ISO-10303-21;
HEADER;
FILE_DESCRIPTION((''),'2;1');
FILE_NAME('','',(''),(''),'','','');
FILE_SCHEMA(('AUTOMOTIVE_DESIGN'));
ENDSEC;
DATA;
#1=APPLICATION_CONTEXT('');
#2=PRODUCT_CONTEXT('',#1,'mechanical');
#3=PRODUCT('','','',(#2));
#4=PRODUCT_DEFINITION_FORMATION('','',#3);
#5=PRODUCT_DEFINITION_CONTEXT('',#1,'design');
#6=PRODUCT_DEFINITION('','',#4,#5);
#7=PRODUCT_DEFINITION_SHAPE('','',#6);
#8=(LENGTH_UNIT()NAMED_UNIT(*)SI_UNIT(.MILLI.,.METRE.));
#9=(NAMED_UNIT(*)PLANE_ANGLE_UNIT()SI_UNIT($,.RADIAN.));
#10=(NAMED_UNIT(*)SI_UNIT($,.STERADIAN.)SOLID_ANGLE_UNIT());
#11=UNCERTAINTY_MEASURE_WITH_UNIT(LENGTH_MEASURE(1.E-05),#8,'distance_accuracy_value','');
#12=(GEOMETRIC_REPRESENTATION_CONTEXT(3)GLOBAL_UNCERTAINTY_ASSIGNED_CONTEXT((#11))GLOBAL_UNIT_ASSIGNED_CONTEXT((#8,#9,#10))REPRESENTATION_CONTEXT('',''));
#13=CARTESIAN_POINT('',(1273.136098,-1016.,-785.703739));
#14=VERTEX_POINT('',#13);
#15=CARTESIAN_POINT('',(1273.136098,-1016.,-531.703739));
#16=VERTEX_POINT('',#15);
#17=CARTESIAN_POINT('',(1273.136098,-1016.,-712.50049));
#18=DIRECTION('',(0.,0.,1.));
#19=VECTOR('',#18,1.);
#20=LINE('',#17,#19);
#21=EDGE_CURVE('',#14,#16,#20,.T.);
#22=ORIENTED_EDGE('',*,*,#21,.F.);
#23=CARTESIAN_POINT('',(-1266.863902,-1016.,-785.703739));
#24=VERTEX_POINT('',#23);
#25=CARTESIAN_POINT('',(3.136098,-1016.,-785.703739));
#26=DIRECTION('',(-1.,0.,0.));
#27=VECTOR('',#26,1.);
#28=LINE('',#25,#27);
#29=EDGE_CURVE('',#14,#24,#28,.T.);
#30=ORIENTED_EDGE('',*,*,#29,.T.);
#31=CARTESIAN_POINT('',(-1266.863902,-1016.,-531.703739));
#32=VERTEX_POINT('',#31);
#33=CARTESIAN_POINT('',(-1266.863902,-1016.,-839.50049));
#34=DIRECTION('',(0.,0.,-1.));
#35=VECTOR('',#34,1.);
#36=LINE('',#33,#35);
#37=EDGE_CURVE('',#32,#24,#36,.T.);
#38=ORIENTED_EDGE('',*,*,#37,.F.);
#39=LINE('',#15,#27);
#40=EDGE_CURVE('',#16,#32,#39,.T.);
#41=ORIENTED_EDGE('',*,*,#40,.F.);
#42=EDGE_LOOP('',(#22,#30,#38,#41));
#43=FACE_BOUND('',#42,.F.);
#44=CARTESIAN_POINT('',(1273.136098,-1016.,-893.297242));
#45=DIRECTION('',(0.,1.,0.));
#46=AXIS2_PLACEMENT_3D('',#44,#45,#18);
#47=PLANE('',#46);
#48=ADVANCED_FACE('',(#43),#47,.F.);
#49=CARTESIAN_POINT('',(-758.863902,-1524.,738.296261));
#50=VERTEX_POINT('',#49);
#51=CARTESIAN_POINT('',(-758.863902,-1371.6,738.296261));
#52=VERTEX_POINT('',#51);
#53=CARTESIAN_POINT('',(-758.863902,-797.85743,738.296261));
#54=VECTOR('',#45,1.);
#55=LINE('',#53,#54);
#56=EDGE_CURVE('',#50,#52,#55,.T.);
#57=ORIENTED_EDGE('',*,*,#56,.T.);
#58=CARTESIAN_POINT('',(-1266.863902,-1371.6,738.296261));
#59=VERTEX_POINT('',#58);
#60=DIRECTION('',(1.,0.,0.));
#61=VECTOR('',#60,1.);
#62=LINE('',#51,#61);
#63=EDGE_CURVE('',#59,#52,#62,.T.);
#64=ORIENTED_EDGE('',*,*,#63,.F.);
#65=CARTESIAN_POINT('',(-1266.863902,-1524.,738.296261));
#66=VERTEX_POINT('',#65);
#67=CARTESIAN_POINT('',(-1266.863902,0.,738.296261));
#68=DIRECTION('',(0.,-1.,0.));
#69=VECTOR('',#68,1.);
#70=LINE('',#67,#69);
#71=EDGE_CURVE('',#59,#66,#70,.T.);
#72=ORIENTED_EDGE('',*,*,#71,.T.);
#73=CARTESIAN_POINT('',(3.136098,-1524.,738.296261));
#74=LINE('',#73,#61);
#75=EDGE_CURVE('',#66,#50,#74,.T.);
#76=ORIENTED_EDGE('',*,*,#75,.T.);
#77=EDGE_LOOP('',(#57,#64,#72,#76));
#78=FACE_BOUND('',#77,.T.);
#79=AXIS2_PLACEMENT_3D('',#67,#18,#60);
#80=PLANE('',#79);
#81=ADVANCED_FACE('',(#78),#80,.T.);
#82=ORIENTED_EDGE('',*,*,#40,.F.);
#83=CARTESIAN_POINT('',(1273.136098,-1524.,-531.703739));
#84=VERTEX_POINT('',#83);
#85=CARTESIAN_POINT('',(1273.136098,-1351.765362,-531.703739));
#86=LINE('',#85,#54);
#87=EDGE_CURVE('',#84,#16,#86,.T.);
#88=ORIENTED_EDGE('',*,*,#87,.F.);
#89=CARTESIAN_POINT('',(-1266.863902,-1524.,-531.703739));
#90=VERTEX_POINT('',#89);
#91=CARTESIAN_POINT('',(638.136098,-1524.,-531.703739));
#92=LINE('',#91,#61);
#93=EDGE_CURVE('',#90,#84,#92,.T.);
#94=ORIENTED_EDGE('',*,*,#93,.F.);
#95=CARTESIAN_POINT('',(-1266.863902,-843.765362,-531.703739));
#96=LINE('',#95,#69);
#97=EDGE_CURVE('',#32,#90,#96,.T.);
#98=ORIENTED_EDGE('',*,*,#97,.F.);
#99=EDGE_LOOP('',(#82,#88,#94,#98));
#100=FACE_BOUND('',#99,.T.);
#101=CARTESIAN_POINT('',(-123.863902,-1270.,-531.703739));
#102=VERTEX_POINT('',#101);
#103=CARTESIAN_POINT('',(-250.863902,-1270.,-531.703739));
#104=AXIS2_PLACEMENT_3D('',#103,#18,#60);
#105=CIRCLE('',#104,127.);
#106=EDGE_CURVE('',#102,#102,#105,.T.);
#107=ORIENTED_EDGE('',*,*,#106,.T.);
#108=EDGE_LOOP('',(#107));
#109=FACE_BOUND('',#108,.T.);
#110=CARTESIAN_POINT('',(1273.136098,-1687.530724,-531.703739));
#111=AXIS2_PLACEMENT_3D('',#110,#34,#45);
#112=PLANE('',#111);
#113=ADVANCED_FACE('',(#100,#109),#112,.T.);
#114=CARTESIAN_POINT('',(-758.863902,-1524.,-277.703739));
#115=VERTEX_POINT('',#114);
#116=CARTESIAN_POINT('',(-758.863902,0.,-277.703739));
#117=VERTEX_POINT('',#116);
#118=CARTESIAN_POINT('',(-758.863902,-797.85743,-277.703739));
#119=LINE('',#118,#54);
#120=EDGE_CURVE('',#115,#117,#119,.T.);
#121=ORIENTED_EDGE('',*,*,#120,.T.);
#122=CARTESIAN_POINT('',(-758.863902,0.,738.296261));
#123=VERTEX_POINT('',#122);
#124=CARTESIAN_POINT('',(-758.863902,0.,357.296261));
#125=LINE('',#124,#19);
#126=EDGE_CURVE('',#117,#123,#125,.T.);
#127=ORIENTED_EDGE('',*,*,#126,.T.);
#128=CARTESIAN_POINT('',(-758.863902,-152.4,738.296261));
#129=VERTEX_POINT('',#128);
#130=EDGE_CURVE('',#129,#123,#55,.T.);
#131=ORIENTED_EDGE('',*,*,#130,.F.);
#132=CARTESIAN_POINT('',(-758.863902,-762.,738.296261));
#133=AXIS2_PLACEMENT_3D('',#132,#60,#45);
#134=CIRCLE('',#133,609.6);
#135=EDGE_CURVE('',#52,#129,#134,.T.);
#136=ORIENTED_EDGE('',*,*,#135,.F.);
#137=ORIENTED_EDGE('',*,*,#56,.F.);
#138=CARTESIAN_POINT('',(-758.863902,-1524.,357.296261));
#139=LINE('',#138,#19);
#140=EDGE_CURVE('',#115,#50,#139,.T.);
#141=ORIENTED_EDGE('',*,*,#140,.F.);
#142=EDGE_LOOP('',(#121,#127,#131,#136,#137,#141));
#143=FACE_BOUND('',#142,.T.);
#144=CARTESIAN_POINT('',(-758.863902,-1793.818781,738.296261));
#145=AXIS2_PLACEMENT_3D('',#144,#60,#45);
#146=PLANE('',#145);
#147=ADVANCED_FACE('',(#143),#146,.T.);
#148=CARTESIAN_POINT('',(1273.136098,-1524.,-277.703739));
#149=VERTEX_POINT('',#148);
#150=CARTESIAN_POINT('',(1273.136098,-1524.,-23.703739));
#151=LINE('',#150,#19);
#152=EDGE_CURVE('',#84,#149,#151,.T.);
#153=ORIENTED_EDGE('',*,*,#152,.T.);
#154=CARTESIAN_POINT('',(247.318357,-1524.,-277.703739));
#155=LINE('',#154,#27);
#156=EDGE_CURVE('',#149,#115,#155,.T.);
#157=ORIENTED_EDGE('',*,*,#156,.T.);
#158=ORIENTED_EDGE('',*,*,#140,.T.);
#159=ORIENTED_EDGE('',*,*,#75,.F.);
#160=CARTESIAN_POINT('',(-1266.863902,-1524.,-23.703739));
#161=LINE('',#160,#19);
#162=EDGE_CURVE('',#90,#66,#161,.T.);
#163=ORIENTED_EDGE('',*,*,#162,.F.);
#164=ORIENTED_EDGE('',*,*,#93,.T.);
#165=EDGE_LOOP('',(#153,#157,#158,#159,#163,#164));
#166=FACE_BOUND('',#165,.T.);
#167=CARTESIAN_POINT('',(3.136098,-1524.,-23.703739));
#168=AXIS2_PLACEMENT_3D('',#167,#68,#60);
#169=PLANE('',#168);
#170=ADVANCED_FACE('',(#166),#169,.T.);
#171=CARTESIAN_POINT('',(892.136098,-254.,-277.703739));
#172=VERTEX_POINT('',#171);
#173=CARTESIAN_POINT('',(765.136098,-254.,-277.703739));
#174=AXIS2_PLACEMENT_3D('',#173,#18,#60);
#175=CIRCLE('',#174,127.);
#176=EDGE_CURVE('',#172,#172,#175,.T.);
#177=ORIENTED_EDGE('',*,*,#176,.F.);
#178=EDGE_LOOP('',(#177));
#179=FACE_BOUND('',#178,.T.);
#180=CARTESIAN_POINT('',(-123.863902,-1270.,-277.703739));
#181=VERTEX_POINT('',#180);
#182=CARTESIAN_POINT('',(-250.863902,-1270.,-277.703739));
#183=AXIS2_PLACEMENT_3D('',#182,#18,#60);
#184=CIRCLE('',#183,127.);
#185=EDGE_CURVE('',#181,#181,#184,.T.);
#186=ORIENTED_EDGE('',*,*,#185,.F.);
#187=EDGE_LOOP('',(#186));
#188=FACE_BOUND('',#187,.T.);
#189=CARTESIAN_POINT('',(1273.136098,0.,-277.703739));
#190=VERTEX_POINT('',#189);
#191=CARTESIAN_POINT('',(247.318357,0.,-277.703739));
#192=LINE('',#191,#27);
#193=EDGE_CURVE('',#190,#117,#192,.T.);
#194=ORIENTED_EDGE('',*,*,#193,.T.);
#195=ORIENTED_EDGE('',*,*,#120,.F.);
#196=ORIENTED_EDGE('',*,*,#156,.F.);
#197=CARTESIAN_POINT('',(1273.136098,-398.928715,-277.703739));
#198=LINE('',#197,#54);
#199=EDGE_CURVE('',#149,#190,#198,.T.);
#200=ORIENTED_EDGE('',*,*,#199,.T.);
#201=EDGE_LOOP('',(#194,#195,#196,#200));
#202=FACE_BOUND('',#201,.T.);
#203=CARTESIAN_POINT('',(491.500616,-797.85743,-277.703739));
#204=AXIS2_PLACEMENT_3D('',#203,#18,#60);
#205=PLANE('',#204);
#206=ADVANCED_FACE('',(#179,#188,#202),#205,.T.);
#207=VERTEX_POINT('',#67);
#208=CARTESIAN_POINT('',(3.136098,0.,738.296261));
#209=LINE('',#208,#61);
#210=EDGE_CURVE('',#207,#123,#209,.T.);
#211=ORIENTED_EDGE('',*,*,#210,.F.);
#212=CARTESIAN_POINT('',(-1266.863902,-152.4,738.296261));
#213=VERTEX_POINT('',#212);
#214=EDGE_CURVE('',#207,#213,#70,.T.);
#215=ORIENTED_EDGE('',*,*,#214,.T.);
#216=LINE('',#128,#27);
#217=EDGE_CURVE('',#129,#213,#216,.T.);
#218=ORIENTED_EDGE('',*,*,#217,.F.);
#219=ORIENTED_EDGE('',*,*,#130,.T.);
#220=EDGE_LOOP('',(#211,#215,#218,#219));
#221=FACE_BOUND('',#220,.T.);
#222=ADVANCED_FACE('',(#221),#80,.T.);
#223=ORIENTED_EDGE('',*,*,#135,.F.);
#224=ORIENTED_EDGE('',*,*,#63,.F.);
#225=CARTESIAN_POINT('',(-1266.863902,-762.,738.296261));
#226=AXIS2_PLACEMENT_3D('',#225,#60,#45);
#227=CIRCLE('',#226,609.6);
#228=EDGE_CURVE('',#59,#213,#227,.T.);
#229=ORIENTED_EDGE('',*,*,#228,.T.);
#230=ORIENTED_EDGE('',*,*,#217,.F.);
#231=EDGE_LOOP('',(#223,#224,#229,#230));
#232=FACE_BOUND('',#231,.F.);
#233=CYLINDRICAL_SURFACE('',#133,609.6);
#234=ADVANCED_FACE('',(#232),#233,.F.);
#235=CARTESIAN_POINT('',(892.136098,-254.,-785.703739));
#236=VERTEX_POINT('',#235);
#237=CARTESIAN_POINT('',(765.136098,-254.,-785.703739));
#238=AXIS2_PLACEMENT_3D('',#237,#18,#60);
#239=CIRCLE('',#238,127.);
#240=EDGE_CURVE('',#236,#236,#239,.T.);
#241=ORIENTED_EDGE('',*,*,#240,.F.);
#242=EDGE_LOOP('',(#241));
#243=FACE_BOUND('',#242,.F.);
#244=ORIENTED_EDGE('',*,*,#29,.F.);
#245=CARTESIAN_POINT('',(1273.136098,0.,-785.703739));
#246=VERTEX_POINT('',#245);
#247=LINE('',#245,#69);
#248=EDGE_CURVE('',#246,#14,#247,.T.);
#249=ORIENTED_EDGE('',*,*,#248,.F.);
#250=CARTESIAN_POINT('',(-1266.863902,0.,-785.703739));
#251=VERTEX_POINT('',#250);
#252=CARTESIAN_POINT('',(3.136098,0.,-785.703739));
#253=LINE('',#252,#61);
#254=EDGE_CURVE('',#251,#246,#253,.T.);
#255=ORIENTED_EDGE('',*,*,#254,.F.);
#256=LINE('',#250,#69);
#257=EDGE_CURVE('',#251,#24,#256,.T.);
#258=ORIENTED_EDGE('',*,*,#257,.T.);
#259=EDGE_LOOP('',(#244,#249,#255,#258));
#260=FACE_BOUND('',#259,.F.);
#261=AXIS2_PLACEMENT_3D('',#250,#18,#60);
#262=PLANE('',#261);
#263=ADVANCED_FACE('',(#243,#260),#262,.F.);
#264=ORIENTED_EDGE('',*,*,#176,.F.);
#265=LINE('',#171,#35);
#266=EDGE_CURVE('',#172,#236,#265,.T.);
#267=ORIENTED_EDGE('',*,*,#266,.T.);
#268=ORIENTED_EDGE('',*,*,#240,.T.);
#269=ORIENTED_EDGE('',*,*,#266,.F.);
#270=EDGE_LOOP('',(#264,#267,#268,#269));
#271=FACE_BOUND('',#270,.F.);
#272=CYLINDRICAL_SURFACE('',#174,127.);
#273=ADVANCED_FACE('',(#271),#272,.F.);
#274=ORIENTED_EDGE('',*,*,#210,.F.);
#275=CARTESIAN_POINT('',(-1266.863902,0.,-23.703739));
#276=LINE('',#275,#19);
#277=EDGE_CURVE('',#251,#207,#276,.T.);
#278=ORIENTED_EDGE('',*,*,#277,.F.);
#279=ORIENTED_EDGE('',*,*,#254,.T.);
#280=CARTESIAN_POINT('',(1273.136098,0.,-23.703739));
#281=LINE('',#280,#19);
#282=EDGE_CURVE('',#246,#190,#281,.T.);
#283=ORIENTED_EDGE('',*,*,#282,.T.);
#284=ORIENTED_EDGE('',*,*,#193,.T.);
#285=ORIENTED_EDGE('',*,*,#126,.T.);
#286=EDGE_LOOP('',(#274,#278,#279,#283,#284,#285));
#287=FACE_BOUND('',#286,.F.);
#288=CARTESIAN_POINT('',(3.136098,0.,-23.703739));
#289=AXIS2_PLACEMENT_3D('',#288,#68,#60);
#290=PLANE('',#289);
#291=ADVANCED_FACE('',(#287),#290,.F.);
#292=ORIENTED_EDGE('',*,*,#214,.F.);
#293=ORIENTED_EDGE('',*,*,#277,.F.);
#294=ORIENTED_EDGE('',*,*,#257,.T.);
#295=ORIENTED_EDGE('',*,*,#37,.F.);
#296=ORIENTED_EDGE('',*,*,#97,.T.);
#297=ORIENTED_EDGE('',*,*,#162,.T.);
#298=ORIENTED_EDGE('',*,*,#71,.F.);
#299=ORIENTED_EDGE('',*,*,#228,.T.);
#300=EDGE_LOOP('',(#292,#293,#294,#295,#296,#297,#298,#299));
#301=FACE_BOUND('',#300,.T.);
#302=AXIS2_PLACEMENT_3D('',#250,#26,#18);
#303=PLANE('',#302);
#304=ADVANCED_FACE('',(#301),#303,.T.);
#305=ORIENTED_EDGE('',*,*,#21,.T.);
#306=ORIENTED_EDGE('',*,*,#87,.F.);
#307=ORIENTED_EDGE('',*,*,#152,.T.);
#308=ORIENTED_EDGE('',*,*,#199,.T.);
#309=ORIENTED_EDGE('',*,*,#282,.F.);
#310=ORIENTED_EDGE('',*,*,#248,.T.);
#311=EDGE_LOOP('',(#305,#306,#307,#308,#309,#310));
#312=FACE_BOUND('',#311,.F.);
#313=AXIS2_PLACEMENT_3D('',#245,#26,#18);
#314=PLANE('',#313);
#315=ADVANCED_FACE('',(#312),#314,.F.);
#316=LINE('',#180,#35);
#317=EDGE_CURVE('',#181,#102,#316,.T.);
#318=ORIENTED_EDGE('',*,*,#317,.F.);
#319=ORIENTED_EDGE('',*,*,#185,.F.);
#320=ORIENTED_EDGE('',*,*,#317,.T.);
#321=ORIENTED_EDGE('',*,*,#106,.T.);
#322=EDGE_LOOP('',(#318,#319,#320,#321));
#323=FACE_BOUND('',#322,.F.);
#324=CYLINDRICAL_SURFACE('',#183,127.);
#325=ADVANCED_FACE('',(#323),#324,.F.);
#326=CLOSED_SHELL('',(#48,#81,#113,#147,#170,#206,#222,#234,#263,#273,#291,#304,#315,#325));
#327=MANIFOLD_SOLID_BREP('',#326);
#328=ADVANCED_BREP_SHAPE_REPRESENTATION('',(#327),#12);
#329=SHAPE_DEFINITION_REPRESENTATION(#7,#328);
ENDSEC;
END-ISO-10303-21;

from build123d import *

# Parameters (mm, degrees)
F0_W      = 2540
F0_H      = 1524
F1_DEPTH  = 1524
F2_W      = 2500.7290350051
F2_H      = 1991.9227032241
F3_DEPTH  = 1016
F4_W      = 671.5307240188
F4_H      = 361.5935033129
F5_DEPTH  = 2540.001
F6_R      = 609.6
F7_DEPTH  = 508.001
F8_R      = 127
F9_DEPTH  = 508.001
F10_R     = 127
F11_DEPTH = 508.001


with BuildPart() as f1:
    # F0 (on Front) → F1 (new body)
    with BuildSketch(Plane.XZ):
        with Locations((3.1360983849, -23.7037387643)):
            Rectangle(F0_W, F0_H)
    extrude(amount=F1_DEPTH)

    # F2 (on face) → F3 (cut)
    with BuildSketch(Plane.XY.offset(738.2962612357)):
        with Locations((491.5006158874, -797.8574298322)):
            Rectangle(F2_W, F2_H)
    extrude(amount=-F3_DEPTH, mode=Mode.SUBTRACT)

    # F4 (on face) → F5 (cut, through all)
    with BuildSketch(Plane.YZ.offset(1273.1360983849)):
        with Locations((-1351.7653620094, -712.5004904208)):
            Rectangle(F4_W, F4_H)
    extrude(amount=-F5_DEPTH, mode=Mode.SUBTRACT)

    # F6 (on face) → F7 (cut, through all)
    with BuildSketch(Plane.YZ.offset(-758.8639016151)):
        with Locations((-762, 738.2962612357)):
            Circle(F6_R)
    extrude(amount=-F7_DEPTH, mode=Mode.SUBTRACT)

    # F8 (on face) → F9 (cut, through all)
    with BuildSketch(Plane.XY.offset(-277.7037387643)):
        with Locations((765.1360983849, -254)):
            Circle(F8_R)
    extrude(amount=-F9_DEPTH, mode=Mode.SUBTRACT)

    # F10 (on face) → F11 (cut, through all)
    with BuildSketch(Plane.XY.offset(-277.7037387643)):
        with Locations((-250.8639016151, -1270)):
            Circle(F10_R)
    extrude(amount=-F11_DEPTH, mode=Mode.SUBTRACT)


solid = f1.part
